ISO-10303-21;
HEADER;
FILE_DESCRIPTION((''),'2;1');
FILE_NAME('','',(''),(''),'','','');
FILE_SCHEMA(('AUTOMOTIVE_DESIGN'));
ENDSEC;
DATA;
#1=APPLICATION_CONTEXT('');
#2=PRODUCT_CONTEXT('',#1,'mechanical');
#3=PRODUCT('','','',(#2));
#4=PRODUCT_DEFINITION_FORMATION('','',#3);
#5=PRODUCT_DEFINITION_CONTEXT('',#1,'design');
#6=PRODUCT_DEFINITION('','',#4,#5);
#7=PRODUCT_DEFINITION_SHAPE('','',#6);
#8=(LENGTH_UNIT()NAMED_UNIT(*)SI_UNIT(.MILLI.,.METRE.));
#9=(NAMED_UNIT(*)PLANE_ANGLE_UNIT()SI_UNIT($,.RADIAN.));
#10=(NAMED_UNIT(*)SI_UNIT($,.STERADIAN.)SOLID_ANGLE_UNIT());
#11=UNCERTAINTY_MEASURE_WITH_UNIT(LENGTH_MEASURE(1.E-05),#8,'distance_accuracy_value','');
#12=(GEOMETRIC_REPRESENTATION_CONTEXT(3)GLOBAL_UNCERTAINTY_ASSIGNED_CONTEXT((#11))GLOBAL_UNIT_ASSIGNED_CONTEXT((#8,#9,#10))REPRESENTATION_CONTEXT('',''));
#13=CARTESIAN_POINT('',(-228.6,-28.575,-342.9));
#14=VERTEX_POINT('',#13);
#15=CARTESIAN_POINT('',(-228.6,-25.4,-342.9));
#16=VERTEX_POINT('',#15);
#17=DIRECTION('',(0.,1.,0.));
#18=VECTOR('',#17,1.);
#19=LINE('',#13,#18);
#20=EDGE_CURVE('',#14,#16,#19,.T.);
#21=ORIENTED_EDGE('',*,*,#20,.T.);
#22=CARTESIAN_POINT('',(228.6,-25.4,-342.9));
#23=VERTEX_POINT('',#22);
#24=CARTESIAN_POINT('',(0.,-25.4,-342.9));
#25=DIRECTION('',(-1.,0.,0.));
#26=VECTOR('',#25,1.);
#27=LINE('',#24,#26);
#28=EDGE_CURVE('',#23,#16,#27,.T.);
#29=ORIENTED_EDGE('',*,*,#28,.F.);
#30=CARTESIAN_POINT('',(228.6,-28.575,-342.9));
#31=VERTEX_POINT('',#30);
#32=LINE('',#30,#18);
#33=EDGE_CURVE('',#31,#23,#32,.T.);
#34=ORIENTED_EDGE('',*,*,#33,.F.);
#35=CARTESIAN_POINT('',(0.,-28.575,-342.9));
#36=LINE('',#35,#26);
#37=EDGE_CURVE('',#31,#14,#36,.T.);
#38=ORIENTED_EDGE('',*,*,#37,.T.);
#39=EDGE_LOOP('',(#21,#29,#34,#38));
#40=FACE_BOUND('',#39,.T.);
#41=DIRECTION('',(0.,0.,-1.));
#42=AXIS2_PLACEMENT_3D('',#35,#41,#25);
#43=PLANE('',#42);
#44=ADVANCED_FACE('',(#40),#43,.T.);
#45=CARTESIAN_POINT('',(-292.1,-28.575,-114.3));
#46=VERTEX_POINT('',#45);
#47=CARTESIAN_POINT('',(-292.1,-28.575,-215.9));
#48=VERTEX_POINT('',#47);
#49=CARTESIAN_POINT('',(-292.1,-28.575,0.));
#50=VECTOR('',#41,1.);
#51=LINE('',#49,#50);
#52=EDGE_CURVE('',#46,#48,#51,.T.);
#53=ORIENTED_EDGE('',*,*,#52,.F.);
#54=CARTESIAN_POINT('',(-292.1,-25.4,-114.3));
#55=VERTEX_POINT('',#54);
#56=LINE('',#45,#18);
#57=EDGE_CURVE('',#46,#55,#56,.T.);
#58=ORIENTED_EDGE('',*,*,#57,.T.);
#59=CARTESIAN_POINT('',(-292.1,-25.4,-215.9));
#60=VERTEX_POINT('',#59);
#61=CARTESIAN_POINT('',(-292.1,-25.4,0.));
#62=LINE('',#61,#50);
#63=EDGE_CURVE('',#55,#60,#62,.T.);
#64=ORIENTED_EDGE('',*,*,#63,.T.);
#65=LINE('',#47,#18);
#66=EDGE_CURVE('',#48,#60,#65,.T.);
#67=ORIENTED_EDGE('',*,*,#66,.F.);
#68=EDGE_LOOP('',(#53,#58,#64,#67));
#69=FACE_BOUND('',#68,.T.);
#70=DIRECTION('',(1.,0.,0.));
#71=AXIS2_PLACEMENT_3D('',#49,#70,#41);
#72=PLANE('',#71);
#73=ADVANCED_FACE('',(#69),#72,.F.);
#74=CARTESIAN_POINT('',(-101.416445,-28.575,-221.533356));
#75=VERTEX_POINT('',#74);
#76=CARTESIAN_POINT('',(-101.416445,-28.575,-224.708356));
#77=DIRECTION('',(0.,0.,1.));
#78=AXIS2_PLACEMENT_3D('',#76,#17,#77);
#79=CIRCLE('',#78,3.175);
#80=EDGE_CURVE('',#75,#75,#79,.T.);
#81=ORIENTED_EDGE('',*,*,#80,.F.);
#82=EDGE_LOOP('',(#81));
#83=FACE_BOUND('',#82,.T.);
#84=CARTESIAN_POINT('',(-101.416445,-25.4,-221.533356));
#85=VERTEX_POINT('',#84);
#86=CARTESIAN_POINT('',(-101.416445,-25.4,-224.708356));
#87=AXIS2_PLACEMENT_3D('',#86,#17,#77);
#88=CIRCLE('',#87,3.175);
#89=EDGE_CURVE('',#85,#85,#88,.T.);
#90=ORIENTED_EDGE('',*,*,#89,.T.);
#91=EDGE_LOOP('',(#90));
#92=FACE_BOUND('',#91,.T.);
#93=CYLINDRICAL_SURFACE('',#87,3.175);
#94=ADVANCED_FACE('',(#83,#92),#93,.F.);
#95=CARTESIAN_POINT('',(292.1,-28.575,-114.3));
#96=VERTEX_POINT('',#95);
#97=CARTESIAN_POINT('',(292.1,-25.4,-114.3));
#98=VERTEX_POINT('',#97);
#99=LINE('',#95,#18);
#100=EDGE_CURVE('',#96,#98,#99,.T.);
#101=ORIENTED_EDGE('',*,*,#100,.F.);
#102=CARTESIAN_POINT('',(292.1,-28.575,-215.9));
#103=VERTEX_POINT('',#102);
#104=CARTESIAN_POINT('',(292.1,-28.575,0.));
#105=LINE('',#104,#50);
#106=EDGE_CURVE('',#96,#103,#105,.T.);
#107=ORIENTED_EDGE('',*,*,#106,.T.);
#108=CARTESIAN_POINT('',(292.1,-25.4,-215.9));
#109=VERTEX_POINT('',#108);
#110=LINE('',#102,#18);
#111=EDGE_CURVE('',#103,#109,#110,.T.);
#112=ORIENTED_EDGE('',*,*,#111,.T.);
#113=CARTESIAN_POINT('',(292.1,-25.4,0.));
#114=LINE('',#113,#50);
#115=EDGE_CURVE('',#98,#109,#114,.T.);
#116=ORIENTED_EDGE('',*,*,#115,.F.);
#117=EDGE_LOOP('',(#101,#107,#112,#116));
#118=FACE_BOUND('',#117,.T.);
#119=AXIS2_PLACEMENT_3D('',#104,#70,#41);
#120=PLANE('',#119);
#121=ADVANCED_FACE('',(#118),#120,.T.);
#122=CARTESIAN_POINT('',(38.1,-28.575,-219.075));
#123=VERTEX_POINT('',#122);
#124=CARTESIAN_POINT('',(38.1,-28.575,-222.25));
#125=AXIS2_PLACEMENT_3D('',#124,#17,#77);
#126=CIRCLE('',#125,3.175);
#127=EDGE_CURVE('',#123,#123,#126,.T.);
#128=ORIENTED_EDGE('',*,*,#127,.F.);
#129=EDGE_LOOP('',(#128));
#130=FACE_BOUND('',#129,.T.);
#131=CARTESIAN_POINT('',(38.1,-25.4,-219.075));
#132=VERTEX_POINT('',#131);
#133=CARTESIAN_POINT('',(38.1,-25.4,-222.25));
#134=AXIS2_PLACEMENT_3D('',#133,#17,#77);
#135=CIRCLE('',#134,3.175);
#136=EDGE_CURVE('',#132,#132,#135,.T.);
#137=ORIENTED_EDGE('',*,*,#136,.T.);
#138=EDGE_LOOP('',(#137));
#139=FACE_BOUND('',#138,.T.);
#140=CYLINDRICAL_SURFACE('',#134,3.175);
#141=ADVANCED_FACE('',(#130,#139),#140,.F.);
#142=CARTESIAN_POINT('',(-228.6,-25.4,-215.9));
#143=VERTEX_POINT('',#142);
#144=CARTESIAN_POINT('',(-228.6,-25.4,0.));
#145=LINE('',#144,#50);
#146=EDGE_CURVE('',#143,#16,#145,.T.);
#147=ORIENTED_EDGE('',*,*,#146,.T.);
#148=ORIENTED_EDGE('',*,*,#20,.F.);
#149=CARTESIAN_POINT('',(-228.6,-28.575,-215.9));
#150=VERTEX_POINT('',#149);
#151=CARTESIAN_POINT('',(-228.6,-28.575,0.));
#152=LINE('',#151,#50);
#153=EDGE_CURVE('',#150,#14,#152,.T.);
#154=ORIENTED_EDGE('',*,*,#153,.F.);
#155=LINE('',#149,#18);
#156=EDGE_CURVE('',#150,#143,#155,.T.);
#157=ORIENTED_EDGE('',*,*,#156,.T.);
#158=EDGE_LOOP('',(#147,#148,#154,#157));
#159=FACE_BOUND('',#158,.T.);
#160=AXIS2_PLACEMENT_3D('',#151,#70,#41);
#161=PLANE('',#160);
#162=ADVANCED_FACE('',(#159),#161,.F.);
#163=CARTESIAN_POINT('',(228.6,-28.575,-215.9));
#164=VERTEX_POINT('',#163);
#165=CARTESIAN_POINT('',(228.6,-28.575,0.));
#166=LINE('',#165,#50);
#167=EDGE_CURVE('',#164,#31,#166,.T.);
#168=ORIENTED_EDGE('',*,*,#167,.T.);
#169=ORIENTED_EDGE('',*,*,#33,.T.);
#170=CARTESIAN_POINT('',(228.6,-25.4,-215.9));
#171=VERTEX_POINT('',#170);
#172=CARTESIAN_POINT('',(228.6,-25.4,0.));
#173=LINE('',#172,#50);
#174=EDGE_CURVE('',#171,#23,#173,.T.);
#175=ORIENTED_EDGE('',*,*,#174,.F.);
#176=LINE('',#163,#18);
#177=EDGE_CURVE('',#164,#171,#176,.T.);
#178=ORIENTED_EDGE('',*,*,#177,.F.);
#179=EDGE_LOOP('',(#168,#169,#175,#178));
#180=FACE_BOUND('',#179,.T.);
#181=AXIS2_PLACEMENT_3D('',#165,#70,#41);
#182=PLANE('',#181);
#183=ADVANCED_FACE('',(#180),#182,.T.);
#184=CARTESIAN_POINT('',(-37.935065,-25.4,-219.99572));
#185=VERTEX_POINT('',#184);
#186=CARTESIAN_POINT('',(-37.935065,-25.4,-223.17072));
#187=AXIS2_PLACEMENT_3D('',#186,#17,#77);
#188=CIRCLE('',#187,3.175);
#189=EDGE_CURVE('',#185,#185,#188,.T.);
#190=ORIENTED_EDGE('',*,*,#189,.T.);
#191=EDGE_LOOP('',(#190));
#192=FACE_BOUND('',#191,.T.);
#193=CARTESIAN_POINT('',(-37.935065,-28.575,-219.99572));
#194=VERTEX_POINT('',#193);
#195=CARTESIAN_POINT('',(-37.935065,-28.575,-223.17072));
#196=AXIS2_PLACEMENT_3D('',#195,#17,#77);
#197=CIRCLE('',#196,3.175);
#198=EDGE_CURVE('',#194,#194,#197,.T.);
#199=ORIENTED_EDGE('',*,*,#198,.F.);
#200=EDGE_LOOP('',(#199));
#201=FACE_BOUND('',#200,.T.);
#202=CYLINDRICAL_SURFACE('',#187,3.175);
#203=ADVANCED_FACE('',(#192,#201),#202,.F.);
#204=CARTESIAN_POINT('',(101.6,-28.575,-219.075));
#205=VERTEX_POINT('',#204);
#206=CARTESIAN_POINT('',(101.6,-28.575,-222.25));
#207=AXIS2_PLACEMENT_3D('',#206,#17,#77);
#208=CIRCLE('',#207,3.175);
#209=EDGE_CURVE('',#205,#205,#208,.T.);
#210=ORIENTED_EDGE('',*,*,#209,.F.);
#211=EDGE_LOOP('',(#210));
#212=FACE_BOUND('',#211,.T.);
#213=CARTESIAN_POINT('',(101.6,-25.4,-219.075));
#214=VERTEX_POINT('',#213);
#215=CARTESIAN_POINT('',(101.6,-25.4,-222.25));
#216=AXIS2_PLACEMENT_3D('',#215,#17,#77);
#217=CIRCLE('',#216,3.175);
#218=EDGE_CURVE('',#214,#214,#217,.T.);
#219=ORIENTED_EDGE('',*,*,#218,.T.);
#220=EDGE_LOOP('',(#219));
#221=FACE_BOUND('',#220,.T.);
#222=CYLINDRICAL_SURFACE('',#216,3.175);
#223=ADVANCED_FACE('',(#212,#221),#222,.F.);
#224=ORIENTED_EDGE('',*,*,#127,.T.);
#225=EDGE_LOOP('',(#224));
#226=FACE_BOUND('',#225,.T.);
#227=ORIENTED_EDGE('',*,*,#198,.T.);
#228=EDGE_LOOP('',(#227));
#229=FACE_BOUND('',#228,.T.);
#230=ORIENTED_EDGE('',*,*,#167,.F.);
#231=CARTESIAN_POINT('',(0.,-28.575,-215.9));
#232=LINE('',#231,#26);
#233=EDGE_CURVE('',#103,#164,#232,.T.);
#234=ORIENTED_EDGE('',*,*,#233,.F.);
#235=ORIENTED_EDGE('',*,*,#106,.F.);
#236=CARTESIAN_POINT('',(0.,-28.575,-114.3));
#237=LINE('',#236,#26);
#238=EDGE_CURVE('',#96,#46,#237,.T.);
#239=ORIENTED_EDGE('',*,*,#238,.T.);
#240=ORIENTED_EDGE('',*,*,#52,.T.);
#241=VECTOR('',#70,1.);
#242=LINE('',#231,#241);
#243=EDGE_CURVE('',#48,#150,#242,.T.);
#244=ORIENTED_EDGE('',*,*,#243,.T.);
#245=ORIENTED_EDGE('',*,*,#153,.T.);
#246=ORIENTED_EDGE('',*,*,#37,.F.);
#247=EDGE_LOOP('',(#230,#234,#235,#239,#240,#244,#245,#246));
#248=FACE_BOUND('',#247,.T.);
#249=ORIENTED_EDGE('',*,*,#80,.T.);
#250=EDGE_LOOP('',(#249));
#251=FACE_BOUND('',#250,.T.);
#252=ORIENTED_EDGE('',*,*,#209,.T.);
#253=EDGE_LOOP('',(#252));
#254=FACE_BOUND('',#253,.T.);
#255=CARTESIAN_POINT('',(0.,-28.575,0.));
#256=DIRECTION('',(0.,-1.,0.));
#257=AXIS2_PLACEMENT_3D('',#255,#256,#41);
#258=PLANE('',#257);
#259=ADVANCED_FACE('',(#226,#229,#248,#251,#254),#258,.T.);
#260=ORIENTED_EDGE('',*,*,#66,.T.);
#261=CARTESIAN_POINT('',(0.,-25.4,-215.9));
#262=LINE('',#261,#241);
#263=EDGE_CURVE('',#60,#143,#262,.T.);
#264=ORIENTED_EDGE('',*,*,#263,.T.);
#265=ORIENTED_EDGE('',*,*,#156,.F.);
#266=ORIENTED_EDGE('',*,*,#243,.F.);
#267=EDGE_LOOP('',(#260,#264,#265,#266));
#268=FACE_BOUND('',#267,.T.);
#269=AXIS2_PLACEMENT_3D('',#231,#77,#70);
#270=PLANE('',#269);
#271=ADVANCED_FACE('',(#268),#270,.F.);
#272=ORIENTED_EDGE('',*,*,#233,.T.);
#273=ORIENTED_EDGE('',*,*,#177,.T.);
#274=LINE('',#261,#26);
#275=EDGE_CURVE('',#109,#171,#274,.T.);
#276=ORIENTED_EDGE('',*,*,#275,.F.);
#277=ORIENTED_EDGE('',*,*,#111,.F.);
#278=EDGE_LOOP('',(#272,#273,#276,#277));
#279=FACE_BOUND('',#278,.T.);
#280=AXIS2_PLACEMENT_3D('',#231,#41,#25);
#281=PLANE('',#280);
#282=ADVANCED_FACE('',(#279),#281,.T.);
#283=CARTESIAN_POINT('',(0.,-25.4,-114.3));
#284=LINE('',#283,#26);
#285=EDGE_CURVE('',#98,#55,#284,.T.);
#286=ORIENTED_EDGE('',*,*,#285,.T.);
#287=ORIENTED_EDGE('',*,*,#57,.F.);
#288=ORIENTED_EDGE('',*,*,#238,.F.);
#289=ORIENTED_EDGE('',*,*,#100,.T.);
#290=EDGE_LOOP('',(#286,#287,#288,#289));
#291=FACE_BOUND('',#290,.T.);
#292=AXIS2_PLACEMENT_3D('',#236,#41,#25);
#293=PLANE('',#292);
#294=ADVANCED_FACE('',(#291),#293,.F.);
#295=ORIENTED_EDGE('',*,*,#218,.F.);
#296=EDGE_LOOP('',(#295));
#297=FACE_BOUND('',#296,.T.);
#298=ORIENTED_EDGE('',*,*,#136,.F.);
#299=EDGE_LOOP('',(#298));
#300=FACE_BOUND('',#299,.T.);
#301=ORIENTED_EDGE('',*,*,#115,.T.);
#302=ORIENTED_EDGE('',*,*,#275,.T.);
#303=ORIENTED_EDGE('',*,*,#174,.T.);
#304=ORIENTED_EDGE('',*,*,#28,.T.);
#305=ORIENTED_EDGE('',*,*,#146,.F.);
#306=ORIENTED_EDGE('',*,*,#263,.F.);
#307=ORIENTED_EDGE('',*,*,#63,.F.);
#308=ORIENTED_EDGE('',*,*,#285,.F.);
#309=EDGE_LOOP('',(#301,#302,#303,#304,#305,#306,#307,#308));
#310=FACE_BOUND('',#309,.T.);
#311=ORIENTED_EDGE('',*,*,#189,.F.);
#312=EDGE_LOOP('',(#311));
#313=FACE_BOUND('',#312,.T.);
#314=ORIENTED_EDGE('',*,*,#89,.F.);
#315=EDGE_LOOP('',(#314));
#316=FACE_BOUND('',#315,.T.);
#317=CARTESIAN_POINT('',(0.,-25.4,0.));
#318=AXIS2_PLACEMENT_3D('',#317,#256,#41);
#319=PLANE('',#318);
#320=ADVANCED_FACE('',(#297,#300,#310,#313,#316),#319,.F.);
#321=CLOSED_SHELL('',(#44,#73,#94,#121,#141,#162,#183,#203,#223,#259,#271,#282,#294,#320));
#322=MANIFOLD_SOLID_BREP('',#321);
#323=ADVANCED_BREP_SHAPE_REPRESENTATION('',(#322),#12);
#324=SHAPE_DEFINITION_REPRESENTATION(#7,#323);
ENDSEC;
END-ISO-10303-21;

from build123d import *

# Parameters (mm, degrees)
BOSS_EXTRUDE1_DEPTH         = 3.175
F_1_4_0_25_DIAMETER_HOLE1_D = 6.35


with BuildPart() as part:
    # Sketch1 → Boss-Extrude1 (new body)
    with BuildSketch(Plane.XZ.offset(25.4)):
        Polygon((292.1, -215.9), (292.1, -114.3), (0, -114.3), (0, -342.9), (228.6, -342.9), (228.6, -215.9), align=None)
        Polygon((0, -342.9), (0, -114.3), (-292.1, -114.3), (-292.1, -215.9), (-228.6, -215.9), (-228.6, -342.9), align=None)
    extrude(amount=BOSS_EXTRUDE1_DEPTH)

    # 1/4 (0.25) Diameter Hole1 (through all)
    with Locations(Plane(origin=(0, -25.4, 0), x_dir=(1, 0, 0), z_dir=(0, 1, 0))):
        with Locations((-37.935064693, 223.17071982), (-101.416445229, 224.708356097), (38.1, 222.25), (101.6, 222.25)):
            Hole(F_1_4_0_25_DIAMETER_HOLE1_D / 2)


solid = part.part
